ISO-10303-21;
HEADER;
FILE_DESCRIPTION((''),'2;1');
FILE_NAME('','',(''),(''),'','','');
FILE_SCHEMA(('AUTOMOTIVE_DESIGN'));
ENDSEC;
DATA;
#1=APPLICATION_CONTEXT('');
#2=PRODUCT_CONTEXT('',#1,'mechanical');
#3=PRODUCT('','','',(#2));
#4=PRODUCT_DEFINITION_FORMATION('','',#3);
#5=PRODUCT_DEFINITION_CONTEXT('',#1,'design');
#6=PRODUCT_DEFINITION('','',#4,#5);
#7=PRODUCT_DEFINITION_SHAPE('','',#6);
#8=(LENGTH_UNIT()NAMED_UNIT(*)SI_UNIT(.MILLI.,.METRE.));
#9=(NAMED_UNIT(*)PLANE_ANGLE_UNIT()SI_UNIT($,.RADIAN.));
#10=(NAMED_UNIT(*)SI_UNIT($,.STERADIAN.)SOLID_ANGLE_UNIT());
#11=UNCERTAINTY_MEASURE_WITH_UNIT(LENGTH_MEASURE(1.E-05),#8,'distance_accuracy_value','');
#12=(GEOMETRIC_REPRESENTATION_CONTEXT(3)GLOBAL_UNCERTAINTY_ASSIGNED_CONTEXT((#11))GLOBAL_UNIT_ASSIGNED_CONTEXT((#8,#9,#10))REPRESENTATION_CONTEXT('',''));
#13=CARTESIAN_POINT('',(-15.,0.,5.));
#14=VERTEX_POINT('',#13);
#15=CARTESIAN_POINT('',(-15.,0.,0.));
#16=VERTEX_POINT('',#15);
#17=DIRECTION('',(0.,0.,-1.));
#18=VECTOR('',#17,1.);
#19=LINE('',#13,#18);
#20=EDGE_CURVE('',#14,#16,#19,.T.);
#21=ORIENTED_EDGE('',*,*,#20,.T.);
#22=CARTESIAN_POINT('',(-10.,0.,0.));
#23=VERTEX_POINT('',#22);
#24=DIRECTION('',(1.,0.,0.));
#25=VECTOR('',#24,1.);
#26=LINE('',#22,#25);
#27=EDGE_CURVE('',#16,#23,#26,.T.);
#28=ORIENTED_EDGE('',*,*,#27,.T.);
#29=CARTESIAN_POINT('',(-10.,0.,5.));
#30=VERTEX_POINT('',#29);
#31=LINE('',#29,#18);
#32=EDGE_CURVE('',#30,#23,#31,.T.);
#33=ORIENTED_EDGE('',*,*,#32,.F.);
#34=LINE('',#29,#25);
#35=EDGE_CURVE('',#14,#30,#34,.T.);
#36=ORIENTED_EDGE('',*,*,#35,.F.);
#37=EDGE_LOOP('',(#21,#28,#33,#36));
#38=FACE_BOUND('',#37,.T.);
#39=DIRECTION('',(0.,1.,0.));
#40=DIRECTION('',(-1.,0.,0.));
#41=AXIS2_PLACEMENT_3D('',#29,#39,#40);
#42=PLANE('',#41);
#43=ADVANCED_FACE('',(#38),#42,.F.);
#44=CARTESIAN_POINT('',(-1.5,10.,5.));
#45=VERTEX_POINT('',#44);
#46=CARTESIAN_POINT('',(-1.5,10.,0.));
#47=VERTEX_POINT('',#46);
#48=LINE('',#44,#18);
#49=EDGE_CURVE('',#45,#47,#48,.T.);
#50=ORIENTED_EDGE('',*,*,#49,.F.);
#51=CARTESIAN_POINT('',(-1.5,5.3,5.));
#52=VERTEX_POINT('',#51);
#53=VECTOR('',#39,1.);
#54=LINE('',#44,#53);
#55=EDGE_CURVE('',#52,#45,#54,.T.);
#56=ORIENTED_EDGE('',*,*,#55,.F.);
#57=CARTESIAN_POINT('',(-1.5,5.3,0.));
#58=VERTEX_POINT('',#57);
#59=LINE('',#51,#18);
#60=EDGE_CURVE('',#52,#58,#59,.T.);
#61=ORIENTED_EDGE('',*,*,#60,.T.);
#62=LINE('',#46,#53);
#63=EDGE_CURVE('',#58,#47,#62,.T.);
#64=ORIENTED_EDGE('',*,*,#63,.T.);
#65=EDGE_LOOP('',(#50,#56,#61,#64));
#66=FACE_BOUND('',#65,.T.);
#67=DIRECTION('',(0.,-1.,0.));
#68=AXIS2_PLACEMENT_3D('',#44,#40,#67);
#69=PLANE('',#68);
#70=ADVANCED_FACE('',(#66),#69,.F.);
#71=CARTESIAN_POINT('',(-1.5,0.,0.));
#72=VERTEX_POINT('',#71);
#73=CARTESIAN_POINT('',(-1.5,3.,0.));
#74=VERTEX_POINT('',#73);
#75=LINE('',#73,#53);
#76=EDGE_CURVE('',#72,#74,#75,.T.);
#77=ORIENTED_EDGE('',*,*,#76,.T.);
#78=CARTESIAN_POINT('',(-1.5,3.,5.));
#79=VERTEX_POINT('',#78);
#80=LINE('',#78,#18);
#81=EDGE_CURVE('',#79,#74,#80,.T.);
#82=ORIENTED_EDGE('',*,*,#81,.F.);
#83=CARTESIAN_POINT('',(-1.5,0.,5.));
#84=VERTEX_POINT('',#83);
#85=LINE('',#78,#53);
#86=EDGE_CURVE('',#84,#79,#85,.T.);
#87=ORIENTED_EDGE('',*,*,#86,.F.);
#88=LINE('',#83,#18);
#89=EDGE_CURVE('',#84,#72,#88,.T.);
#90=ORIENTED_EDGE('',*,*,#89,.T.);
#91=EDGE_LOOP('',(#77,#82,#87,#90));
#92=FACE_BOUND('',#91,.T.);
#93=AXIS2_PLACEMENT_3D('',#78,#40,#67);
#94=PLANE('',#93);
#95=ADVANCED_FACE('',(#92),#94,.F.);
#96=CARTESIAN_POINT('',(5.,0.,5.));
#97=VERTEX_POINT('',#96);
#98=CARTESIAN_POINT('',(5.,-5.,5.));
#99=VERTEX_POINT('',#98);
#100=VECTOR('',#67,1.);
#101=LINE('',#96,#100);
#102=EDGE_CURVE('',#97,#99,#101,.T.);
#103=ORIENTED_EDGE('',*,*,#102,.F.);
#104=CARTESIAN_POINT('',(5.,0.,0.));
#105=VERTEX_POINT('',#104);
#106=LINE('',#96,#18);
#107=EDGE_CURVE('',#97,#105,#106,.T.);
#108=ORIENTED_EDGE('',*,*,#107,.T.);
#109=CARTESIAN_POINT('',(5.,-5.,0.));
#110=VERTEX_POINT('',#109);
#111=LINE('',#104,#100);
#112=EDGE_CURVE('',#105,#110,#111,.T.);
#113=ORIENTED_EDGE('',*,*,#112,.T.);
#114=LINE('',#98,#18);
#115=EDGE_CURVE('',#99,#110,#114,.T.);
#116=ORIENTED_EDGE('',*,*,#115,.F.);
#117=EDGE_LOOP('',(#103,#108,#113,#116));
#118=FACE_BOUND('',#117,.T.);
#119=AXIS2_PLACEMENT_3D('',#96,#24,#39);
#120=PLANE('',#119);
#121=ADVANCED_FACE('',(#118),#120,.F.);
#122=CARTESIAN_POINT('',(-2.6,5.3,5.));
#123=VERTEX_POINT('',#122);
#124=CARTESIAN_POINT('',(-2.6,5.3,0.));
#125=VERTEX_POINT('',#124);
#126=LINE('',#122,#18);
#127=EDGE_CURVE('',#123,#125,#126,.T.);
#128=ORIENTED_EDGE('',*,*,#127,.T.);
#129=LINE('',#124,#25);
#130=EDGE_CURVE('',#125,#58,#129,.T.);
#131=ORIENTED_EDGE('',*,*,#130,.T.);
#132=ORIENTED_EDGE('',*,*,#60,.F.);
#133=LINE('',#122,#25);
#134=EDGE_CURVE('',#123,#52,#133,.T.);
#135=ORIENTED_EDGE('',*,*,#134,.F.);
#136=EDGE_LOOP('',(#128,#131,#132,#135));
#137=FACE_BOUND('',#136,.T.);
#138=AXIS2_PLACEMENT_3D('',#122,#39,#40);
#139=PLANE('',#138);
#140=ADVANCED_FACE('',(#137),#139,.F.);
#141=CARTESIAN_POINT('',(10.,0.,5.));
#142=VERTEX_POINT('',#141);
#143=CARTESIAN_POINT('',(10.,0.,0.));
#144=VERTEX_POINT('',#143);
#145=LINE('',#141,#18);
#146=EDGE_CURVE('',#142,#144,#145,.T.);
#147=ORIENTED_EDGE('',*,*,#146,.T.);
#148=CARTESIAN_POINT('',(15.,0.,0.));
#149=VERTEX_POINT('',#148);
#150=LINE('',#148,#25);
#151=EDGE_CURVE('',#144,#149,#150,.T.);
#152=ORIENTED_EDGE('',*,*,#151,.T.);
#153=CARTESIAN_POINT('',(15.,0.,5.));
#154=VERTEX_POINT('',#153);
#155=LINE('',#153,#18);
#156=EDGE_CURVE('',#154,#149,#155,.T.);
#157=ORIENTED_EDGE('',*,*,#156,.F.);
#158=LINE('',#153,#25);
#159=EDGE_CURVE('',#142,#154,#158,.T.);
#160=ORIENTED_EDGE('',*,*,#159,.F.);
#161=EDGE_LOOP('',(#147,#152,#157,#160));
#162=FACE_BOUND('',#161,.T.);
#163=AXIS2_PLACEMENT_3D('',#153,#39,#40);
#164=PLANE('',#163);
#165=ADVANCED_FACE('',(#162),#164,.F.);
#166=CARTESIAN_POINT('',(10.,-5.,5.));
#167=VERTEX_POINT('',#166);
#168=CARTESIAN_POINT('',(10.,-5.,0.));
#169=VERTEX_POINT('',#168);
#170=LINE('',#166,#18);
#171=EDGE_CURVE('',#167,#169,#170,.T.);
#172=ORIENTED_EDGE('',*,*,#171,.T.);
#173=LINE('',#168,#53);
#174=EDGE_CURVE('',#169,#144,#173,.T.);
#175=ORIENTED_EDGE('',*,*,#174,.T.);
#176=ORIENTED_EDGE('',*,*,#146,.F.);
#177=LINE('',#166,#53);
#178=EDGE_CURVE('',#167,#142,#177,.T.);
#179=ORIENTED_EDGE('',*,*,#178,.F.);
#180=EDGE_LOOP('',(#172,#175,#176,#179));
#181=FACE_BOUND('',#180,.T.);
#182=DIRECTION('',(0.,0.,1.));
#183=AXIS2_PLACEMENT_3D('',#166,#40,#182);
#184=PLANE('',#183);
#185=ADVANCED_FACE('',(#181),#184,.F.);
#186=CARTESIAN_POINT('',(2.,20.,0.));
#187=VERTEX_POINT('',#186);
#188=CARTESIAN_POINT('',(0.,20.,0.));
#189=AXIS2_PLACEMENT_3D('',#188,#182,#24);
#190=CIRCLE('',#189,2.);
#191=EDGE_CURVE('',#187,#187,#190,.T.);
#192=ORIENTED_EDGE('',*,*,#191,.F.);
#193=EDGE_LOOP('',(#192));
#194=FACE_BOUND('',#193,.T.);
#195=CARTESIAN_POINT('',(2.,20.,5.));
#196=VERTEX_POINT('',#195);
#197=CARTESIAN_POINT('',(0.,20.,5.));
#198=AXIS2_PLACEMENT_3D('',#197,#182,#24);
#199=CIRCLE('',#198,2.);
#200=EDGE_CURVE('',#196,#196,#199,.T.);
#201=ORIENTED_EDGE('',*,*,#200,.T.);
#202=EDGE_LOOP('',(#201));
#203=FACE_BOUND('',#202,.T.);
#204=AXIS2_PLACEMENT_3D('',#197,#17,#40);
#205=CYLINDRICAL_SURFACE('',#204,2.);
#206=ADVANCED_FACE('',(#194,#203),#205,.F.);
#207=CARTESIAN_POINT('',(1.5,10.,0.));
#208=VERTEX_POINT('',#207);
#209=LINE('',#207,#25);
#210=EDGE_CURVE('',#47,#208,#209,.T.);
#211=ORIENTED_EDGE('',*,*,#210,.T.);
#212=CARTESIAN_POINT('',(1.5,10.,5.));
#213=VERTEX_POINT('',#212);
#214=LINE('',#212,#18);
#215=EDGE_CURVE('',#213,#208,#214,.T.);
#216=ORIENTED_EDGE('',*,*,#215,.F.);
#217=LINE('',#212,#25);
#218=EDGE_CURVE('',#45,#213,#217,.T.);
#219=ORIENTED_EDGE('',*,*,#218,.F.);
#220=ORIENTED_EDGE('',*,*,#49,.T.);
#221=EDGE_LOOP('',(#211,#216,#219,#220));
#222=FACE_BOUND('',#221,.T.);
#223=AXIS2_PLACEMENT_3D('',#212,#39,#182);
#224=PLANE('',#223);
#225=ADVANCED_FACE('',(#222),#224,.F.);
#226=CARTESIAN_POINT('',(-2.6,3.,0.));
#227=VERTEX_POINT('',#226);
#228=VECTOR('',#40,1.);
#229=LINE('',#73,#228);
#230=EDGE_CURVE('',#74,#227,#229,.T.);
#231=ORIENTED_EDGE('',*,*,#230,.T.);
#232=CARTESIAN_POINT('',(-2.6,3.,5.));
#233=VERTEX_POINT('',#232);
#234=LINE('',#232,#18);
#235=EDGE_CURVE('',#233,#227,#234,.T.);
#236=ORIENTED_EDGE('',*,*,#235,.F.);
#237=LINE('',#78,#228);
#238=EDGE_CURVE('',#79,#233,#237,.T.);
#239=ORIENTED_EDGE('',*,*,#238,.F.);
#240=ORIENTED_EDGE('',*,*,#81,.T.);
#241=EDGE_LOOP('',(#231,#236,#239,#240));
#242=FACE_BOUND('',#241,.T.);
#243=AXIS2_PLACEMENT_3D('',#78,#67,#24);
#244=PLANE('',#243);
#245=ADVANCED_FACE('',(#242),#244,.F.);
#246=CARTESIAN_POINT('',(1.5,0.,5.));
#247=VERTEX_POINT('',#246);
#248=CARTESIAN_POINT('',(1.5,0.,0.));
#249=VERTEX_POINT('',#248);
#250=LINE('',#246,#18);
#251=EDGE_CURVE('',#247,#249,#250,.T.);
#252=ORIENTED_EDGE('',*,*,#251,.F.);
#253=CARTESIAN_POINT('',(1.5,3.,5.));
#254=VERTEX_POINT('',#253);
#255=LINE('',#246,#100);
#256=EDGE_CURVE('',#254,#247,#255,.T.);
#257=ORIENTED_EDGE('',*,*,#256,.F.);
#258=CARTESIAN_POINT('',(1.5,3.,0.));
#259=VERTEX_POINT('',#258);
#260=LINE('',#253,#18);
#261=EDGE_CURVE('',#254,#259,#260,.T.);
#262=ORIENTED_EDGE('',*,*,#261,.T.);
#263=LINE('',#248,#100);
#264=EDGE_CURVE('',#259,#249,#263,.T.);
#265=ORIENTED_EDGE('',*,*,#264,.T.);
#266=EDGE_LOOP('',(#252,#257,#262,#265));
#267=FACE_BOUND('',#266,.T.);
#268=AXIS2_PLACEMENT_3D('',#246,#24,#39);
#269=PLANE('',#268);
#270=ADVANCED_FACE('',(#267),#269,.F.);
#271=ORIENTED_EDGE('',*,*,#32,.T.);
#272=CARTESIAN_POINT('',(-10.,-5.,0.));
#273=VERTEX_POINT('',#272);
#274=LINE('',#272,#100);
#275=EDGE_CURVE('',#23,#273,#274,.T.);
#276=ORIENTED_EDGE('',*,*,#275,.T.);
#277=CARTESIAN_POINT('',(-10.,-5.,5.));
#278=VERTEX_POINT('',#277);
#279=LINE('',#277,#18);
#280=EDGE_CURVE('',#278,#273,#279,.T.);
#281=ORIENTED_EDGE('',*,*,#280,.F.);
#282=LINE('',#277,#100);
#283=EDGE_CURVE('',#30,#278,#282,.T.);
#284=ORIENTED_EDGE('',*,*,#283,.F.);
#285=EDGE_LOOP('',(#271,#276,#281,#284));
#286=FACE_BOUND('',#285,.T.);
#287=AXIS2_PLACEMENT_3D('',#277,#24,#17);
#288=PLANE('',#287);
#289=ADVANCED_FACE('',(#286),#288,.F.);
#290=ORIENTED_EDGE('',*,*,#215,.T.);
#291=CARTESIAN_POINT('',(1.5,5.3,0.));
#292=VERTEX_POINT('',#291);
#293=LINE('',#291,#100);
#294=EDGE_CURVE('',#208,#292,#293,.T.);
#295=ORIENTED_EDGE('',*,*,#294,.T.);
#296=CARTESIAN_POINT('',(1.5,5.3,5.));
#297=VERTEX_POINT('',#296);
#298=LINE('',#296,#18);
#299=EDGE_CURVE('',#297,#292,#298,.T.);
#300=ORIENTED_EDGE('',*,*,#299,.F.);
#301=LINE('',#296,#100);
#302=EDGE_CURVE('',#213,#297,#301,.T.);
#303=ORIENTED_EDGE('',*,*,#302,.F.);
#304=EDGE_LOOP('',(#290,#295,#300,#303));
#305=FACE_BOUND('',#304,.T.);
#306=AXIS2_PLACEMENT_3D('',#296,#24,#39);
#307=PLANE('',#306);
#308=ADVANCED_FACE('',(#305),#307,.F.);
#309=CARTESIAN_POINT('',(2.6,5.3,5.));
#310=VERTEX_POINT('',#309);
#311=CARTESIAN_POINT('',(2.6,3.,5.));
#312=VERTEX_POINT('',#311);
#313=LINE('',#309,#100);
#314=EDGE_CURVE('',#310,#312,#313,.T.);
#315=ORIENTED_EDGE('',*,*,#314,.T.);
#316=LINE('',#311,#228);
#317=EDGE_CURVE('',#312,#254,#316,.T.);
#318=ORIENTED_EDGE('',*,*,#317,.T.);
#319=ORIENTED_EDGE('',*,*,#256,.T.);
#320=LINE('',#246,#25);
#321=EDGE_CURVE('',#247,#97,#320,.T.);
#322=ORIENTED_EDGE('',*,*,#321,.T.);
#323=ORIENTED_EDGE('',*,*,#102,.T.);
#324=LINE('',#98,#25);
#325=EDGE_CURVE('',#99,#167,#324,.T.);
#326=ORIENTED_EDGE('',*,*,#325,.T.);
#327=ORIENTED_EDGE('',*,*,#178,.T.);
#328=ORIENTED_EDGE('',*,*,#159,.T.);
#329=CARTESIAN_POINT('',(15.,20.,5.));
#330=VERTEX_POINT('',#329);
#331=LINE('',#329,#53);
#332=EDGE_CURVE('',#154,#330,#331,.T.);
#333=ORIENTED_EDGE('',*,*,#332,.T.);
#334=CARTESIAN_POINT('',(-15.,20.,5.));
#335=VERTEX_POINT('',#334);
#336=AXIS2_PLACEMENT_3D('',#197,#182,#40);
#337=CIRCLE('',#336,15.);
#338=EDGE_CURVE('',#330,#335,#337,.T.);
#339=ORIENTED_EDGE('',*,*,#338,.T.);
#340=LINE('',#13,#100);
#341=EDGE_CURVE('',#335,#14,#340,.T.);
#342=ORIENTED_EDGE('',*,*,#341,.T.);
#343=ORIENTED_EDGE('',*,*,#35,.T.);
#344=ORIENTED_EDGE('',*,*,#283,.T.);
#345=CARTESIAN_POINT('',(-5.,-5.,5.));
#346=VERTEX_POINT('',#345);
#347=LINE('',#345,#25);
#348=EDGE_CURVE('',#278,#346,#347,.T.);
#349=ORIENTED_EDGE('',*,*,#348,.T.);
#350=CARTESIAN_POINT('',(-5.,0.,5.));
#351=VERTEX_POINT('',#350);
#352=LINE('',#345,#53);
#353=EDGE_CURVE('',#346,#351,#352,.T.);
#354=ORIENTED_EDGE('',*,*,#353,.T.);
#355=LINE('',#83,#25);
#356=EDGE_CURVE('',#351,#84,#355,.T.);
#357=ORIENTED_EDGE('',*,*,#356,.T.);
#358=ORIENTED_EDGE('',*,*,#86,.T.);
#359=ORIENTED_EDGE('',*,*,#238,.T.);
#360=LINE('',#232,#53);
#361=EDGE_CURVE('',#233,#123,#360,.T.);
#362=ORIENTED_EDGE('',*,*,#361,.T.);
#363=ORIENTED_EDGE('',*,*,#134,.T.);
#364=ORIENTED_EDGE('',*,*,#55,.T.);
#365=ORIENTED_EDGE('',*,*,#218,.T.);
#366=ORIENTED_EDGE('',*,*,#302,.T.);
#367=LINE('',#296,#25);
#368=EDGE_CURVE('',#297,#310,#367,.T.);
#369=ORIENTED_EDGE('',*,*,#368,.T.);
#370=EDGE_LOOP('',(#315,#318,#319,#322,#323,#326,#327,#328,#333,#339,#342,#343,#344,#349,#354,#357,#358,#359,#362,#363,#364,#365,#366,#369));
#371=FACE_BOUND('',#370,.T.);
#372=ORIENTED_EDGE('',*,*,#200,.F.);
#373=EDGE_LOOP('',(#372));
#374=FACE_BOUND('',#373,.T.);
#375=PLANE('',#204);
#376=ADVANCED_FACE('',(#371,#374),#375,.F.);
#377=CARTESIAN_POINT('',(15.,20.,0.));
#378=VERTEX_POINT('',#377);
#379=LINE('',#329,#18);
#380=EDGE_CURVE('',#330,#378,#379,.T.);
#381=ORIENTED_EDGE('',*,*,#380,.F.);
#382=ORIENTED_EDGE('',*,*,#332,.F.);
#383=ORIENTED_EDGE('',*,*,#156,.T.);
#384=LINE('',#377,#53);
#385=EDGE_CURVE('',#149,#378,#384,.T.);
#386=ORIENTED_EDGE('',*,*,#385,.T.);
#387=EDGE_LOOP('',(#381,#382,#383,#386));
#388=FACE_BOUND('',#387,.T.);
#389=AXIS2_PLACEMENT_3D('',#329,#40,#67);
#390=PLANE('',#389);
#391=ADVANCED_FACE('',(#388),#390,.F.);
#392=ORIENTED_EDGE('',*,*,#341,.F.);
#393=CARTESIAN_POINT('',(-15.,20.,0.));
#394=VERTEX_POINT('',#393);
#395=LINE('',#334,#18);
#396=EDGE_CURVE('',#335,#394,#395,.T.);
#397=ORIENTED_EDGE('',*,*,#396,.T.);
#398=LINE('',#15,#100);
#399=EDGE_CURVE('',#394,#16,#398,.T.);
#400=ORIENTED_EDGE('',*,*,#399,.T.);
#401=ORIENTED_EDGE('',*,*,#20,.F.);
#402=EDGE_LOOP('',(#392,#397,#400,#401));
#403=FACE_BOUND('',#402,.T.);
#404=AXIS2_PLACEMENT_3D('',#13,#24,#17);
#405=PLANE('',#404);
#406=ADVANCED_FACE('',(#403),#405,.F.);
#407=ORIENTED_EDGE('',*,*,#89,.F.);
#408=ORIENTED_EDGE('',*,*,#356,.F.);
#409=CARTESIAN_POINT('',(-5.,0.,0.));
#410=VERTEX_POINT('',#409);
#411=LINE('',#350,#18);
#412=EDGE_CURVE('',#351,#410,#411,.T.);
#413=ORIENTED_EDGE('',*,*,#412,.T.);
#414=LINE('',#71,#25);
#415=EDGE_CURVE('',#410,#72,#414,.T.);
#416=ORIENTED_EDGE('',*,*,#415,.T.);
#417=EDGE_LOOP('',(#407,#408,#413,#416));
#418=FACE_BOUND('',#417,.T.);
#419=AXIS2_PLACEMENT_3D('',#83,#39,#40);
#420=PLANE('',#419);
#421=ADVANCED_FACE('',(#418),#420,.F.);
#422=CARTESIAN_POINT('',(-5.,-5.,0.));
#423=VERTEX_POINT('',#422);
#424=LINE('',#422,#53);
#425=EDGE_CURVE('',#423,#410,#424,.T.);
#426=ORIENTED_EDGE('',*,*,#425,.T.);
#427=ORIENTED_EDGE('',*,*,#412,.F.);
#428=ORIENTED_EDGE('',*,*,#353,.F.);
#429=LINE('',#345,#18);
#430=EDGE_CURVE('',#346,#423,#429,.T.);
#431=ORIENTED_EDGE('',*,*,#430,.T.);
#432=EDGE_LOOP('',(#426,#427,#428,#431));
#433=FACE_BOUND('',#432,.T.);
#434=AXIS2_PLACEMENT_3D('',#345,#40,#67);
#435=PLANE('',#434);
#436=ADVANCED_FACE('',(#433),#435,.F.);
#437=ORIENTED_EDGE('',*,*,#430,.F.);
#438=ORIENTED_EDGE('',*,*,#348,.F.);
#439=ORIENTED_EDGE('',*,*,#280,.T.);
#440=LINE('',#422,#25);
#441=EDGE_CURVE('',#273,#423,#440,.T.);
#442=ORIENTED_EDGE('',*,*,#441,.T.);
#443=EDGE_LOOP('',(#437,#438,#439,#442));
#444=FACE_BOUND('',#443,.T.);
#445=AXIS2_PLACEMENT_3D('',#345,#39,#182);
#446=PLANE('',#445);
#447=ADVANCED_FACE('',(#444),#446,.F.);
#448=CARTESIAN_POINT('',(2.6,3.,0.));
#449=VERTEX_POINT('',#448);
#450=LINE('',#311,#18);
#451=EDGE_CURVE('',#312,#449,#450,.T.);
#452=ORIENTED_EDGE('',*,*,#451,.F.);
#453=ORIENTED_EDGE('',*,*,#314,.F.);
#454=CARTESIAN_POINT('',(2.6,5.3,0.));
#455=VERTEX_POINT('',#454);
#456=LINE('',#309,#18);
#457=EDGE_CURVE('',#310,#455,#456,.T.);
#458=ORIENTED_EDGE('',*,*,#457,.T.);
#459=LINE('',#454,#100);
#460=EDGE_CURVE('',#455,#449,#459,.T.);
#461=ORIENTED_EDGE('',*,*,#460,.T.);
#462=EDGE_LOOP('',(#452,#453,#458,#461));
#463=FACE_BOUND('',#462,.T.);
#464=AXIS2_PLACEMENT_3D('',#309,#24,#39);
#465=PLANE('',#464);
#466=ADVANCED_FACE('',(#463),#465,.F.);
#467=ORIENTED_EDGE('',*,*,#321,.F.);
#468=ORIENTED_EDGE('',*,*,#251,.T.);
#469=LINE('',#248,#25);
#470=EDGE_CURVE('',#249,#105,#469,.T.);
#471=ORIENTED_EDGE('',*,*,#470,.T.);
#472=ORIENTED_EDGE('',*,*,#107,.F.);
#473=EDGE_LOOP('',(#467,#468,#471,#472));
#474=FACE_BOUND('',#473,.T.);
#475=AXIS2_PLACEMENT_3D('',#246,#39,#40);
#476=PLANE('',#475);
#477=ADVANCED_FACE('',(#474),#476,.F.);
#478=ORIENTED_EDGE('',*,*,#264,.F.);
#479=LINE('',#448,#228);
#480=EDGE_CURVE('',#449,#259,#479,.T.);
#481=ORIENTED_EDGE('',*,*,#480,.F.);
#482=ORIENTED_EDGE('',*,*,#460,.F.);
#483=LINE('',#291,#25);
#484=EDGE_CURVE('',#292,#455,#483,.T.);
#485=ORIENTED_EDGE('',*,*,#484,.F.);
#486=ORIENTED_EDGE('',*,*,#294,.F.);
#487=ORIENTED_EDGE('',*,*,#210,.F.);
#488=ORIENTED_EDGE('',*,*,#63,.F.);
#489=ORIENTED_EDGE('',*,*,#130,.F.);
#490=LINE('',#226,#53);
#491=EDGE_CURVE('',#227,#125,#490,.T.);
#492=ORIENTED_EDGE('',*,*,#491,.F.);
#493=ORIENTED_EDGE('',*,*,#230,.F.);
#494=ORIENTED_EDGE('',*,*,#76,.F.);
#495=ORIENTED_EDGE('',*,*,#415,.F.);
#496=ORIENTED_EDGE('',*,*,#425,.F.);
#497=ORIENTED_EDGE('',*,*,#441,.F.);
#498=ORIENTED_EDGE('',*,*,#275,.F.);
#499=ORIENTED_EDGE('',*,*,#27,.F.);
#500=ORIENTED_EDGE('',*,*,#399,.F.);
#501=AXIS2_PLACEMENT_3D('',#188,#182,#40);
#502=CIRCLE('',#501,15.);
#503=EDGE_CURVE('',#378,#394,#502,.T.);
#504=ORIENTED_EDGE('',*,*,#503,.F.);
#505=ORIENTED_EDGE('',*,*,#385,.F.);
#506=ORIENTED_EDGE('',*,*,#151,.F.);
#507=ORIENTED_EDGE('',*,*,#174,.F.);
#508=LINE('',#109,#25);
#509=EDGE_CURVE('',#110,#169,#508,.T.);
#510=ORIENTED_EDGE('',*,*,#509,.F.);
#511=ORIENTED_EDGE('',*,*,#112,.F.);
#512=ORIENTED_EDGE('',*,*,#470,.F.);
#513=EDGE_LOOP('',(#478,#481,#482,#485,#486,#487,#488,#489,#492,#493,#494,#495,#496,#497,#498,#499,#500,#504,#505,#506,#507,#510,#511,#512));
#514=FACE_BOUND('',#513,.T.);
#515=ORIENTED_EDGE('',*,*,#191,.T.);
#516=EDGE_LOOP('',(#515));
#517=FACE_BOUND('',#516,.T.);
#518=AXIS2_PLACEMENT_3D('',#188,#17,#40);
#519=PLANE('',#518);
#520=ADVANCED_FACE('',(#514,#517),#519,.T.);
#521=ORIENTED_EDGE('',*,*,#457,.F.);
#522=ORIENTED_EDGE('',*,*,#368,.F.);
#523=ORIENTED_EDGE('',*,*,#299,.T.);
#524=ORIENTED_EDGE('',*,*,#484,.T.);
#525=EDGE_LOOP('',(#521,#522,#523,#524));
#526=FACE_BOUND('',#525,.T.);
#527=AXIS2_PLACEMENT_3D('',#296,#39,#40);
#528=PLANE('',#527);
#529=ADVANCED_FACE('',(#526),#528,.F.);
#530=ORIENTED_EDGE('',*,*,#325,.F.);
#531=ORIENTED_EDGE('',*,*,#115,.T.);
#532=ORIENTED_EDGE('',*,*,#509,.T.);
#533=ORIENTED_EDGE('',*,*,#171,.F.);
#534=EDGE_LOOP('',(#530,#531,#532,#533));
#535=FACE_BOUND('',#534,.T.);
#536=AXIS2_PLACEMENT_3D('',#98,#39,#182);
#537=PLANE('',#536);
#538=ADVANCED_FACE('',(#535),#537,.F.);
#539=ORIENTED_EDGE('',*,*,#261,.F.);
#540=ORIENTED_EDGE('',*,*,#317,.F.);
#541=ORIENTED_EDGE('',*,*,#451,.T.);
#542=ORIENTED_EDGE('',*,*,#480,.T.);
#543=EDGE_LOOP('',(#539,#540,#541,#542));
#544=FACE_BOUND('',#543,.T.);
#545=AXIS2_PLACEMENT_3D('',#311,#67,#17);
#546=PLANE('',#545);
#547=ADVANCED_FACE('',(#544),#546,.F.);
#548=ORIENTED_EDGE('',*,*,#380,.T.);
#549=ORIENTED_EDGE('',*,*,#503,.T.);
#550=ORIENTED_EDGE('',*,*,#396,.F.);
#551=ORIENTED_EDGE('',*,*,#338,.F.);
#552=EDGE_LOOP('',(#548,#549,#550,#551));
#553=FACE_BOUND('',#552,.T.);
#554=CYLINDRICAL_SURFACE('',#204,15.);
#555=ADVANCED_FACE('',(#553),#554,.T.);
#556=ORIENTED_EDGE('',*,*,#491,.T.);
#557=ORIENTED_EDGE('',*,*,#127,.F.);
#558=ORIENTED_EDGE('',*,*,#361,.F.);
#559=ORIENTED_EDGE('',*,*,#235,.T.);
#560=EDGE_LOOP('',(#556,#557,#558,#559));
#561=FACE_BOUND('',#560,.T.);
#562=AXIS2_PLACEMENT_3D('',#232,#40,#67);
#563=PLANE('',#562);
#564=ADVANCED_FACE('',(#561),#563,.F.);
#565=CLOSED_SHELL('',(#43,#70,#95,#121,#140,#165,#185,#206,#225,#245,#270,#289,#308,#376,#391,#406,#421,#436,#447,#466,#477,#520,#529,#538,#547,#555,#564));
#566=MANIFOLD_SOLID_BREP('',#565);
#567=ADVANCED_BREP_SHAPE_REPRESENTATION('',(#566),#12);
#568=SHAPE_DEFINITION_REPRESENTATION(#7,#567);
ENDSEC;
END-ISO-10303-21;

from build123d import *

# Parameters (mm, degrees)
SKETCH1_R           = 2
BOSS_EXTRUDE1_DEPTH = 5


with BuildPart() as part:
    # Sketch1 → Boss-Extrude1 (new body)
    with BuildSketch(Plane.XY):
        with BuildLine():
            Line((-10, 0), (-15, 0))
            Line((-15, 0), (-15, 20))
            ThreePointArc((-15, 20), (0, 35), (15, 20))
            Line((15, 20), (15, 0))
            Line((15, 0), (10, 0))
            Line((10, 0), (10, -5))
            Line((10, -5), (5, -5))
            Line((5, -5), (5, 0))
            Line((5, 0), (1.5, 0))
            Line((1.5, 0), (1.5, 3))
            Line((1.5, 3), (2.6, 3))
            Line((2.6, 3), (2.6, 5.3))
            Line((2.6, 5.3), (1.5, 5.3))
            Line((1.5, 5.3), (1.5, 10))
            Line((1.5, 10), (-1.5, 10))
            Line((-1.5, 10), (-1.5, 5.3))
            Line((-1.5, 5.3), (-2.6, 5.3))
            Line((-2.6, 5.3), (-2.6, 3))
            Line((-2.6, 3), (-1.5, 3))
            Line((-1.5, 3), (-1.5, 0))
            Line((-1.5, 0), (-5, 0))
            Line((-5, 0), (-5, -5))
            Line((-5, -5), (-10, -5))
            Line((-10, -5), (-10, 0))
        make_face()
        with Locations((0, 20)):
            Circle(SKETCH1_R, mode=Mode.SUBTRACT)
    extrude(amount=BOSS_EXTRUDE1_DEPTH)


solid = part.part
